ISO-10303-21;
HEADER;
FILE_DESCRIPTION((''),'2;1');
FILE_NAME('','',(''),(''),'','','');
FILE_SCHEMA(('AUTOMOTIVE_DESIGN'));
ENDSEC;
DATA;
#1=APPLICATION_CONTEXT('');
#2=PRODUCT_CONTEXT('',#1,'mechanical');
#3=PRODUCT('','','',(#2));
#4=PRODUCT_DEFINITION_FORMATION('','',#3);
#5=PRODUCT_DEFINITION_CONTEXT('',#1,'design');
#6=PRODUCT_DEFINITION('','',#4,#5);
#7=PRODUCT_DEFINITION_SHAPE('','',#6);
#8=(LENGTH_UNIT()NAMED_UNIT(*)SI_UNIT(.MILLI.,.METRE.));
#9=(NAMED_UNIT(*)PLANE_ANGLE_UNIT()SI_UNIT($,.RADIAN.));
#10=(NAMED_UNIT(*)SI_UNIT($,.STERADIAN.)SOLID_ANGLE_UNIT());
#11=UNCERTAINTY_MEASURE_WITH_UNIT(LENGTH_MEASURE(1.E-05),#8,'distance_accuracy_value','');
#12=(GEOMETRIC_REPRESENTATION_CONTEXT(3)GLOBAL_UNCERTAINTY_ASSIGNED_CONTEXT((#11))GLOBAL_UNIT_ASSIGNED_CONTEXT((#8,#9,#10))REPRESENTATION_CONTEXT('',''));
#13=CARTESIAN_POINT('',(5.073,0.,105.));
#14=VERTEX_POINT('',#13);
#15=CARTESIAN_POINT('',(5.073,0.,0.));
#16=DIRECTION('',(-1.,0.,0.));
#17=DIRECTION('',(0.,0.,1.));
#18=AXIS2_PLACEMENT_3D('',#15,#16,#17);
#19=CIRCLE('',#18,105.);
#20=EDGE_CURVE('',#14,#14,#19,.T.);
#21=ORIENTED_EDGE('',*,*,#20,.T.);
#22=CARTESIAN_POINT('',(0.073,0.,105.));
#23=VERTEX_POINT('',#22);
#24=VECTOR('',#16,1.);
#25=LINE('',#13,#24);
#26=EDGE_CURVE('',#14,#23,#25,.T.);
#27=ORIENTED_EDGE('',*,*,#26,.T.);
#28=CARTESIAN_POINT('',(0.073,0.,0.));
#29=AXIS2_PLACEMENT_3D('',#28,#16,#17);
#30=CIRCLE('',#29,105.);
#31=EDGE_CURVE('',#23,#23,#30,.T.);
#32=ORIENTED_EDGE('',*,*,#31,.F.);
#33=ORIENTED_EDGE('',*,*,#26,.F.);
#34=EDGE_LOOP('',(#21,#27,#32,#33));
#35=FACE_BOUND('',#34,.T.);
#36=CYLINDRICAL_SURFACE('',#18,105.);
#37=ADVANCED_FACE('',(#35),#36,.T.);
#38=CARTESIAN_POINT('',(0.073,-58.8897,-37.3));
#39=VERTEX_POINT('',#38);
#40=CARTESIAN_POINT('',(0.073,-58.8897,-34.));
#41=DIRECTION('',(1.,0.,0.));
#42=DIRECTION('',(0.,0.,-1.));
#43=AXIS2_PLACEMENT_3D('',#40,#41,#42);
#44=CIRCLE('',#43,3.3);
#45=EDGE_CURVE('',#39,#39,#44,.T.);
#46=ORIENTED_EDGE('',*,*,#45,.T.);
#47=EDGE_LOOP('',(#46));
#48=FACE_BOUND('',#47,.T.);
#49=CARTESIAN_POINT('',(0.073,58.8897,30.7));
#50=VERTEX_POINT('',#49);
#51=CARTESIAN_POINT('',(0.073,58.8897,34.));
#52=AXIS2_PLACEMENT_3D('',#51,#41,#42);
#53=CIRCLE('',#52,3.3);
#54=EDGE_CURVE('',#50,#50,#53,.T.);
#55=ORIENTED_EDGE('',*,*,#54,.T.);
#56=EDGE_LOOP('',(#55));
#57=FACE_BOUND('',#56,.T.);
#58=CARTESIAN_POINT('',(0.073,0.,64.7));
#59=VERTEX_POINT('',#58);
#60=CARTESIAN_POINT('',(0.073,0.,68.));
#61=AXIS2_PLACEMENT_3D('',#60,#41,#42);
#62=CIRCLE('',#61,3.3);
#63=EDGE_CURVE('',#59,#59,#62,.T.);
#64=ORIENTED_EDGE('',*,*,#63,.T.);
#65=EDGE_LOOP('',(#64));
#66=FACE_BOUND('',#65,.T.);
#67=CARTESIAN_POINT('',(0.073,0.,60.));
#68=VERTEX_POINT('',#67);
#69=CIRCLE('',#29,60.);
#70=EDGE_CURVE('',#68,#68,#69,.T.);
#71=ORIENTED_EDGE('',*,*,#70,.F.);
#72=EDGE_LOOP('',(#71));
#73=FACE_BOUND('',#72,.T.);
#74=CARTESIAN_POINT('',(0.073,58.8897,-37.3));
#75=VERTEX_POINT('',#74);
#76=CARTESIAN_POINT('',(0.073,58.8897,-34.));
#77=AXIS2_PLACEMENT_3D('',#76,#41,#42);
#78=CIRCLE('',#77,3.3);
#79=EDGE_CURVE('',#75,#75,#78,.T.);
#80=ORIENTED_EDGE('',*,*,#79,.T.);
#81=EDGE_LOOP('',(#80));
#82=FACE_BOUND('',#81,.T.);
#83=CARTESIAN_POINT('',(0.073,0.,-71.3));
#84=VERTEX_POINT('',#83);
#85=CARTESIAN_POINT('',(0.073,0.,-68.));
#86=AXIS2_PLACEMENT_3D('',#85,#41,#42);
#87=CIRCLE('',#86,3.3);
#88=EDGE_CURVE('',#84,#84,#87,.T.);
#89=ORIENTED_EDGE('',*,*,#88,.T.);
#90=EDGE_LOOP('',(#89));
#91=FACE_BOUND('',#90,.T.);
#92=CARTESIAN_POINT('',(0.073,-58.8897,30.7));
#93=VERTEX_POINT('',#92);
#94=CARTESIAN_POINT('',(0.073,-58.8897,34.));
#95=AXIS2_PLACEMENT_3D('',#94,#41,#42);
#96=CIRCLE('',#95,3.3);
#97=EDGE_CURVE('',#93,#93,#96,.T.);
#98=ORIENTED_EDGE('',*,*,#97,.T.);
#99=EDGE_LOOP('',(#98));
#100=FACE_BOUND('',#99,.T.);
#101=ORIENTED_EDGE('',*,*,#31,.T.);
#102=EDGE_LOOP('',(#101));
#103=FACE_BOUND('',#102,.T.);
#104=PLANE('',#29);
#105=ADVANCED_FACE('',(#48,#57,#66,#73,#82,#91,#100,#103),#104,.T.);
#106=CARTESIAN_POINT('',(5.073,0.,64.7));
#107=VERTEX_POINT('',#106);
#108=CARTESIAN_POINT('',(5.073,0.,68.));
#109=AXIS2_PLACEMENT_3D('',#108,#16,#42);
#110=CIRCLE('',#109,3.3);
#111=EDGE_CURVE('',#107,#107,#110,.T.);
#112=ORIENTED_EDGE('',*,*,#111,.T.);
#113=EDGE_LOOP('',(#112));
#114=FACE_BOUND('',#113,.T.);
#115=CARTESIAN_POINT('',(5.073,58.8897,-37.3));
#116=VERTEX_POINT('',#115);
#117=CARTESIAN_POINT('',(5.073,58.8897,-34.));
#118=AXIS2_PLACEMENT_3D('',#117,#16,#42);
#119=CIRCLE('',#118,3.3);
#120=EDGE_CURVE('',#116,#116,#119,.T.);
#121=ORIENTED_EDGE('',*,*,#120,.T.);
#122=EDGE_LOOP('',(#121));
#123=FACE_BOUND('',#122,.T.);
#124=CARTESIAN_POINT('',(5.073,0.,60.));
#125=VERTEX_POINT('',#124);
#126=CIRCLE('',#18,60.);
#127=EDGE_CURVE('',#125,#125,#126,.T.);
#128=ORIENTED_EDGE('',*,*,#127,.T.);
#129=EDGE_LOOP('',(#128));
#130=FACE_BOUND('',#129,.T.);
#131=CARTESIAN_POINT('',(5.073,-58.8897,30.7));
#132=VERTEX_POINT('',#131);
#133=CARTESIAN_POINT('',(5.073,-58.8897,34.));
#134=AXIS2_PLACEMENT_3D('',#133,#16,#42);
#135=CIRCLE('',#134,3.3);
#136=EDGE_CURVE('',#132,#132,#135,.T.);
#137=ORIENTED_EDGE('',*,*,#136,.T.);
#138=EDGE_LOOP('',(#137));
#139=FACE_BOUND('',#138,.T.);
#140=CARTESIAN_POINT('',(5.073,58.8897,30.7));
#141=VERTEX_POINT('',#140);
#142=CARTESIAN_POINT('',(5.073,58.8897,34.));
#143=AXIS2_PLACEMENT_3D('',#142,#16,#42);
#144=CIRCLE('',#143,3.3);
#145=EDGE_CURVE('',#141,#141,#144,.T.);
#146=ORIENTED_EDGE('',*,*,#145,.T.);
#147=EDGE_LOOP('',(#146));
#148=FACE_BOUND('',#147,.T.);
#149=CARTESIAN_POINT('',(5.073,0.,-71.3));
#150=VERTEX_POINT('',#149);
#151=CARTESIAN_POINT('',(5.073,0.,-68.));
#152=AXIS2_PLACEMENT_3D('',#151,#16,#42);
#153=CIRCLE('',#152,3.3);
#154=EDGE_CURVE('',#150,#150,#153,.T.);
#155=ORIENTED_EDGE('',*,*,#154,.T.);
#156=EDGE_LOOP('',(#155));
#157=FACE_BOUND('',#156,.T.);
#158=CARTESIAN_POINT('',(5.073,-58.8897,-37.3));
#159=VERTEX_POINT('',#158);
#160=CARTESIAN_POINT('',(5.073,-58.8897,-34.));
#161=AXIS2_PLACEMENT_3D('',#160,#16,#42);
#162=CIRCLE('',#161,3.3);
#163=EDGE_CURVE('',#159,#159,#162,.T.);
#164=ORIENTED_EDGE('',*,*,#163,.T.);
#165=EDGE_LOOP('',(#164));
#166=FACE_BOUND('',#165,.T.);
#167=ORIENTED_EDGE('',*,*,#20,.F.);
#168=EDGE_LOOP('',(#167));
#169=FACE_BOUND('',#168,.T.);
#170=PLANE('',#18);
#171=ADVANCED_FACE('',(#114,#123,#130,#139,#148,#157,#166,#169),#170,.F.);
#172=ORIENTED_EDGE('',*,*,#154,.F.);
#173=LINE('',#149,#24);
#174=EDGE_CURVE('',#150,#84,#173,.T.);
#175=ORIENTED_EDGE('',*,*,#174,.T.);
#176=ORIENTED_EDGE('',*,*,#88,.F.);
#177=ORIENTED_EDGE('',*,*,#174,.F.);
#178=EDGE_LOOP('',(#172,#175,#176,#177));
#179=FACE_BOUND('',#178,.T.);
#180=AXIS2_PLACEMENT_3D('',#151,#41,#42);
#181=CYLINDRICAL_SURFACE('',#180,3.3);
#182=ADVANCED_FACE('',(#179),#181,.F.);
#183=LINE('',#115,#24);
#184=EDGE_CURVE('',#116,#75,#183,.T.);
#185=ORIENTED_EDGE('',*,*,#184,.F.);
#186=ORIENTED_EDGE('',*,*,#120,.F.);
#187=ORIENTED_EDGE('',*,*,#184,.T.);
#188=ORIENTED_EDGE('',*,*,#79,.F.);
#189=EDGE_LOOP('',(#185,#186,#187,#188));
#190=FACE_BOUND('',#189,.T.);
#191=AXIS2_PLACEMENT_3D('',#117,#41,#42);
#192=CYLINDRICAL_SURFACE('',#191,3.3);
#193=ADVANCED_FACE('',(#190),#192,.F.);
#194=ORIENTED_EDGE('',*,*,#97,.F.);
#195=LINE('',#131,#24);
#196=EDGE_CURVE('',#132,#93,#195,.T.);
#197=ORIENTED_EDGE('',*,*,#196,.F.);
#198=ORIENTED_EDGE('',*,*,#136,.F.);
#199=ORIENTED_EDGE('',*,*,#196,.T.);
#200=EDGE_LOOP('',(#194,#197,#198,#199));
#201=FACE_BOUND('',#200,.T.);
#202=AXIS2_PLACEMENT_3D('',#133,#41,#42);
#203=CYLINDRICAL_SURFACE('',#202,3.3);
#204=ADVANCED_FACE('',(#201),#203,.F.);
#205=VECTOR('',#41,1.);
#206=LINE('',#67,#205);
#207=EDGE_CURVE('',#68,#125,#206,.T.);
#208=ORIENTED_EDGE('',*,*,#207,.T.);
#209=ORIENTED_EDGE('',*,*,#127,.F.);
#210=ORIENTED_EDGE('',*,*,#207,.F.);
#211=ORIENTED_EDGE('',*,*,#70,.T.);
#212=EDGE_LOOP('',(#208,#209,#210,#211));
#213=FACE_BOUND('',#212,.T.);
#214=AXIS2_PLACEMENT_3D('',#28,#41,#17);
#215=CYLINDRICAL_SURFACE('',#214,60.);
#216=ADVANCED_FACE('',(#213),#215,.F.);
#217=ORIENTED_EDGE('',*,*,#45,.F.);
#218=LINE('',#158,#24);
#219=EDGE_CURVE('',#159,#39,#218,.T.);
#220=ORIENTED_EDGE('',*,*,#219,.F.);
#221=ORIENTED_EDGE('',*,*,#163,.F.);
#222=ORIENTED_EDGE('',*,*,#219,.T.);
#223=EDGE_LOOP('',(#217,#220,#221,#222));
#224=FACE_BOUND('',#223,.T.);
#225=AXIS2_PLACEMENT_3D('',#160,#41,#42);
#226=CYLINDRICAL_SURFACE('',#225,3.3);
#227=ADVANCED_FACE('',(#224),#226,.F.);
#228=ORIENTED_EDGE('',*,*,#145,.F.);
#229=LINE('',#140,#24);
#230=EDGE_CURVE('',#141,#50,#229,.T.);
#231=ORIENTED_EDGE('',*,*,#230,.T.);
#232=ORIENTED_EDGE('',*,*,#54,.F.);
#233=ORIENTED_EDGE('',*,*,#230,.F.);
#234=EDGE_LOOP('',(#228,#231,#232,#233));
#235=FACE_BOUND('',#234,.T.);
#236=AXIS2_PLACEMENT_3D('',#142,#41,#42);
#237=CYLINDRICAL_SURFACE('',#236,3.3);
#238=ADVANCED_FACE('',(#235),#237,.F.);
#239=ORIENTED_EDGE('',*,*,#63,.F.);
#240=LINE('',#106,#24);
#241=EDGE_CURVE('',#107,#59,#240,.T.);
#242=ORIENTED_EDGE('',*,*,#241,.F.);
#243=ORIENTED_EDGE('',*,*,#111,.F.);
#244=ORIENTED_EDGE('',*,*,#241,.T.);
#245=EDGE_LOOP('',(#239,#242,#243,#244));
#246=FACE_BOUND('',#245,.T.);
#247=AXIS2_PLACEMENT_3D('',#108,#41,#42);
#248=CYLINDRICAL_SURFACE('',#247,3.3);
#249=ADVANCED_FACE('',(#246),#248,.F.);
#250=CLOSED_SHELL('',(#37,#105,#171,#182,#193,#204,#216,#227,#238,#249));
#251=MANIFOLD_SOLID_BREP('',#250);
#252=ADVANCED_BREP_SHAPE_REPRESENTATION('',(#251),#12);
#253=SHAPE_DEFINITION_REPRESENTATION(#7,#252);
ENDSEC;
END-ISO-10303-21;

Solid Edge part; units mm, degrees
sketch "Sketch1" plane through (0, 0, 0) normal (0, -1, 0) x (1, 0, 0)
  line L0 (0.073, 60) -> (5.073, 60)
  line L1 (5.073, 60) -> (5.073, 105)
  line L2 (5.073, 105) -> (0.073, 105)
  line L3 (0.073, 105) -> (0.073, 60)
  dimension "D1" = 45
  dimension "D2" = 5
  dimension "D3" = 60
revolve "RevolvedProtrusion1" add sketch "Sketch1" angle 360 about axis through (23.5691, 0, 0) along (-1, 0, 0)
hole "Hole1" at (5.073, 0, 68) direction (-1, 0, 0) diameter 6.6 end up to next
hole "Hole2" at (5.073, -58.8897, 34) direction (-1, 0, 0) diameter 6.6 end up to next
hole "Hole3" at (5.073, -58.8897, -34) direction (-1, 0, 0) diameter 6.6 end up to next
hole "Hole4" at (5.073, 0, -68) direction (-1, 0, 0) diameter 6.6 end up to next
hole "Hole5" at (5.073, 58.8897, -34) direction (-1, 0, 0) diameter 6.6 end up to next
hole "Hole6" at (5.073, 58.8897, 34) direction (-1, 0, 0) diameter 6.6 end up to next
properties material "Steel"
